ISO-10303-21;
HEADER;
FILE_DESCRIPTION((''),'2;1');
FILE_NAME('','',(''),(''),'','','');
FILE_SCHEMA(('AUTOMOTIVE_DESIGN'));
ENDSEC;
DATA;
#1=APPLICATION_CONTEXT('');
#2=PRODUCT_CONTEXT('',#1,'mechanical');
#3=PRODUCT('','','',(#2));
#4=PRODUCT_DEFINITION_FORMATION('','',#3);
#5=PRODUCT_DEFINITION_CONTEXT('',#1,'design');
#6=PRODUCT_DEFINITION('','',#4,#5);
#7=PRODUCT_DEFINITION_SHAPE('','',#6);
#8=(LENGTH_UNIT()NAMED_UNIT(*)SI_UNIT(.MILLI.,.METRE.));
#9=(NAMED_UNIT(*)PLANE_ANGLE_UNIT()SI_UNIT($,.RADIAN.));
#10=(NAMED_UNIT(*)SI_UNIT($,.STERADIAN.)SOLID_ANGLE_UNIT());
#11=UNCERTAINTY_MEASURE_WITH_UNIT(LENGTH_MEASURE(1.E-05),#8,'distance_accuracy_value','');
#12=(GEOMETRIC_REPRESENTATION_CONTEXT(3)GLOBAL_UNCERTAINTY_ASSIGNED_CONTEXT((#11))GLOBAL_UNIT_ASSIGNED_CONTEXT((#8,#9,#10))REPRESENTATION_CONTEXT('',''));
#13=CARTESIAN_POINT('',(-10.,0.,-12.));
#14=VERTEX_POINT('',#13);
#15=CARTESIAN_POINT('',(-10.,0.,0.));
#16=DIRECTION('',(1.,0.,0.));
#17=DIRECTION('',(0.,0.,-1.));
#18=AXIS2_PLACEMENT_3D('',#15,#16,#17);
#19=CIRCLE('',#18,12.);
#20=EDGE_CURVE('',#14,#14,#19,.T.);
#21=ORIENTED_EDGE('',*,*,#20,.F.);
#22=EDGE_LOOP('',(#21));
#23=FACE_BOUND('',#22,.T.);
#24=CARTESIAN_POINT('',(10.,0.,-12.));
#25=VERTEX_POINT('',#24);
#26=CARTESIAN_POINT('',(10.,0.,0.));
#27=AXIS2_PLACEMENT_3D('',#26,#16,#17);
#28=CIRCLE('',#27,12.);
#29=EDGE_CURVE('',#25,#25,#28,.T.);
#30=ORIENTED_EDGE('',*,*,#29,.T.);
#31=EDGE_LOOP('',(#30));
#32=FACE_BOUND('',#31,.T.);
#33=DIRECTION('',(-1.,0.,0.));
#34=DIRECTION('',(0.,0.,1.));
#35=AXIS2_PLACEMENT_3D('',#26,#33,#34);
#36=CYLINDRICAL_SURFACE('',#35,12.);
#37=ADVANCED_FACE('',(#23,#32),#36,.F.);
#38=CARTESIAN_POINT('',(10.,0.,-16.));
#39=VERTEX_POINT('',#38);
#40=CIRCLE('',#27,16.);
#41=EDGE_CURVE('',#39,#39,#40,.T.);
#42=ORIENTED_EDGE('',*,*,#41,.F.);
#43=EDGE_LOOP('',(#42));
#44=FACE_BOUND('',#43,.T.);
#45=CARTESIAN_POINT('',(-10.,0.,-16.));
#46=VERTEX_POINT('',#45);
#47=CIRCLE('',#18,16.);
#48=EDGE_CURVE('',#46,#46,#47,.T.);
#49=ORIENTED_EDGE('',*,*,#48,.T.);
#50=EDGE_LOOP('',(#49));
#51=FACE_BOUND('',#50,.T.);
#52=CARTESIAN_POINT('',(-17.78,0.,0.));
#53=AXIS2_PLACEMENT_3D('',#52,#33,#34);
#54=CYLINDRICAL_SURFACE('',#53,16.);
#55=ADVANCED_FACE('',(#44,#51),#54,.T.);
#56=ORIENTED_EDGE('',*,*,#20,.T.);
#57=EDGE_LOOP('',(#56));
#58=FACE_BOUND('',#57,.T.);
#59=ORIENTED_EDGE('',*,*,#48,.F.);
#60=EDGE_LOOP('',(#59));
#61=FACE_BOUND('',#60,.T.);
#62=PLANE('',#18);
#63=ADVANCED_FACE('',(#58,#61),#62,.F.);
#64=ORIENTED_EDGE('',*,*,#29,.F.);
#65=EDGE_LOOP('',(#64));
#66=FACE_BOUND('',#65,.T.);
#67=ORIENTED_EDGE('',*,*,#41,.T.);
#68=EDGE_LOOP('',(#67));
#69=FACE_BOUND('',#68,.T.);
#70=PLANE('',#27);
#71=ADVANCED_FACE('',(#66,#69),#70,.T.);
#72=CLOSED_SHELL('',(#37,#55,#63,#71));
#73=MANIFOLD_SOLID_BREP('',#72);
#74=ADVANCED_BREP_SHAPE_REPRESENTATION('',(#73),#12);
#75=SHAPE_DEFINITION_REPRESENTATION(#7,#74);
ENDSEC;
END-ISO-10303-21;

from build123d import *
from build123d.topology import SkipClean

# Parameters (mm, degrees)
CAGSPISKE_W         = 16
CAGSPISKE_H         = 0.7
SKETCH1_R           = 16
SKETCH1_R_2         = 12
BOSS_EXTRUDE1_DEPTH = 10


with BuildPart() as part:
    # CagSpiSke → CageSpine (revolve)
    with BuildSketch(Plane.XY):
        with Locations((0, 14.25)):
            Rectangle(CAGSPISKE_W, CAGSPISKE_H)
    revolve(axis=Axis((-12.7, 0, 0), (1, 0, 0)))

    # RolSimSke → RollersSimplified (revolve)
    with BuildSketch(Plane.XY):
        with BuildLine():
            Line((-7.13, 16), (7.13, 16))
            ThreePointArc((7.13, 16), (7.179497475, 15.979497475), (7.2, 15.93))
            Line((7.2, 15.93), (7.2, 12.57))
            ThreePointArc((7.2, 12.57), (7.179497475, 12.520502525), (7.13, 12.5))
            Line((7.13, 12.5), (-7.13, 12.5))
            ThreePointArc((-7.13, 12.5), (-7.179497475, 12.520502525), (-7.2, 12.57))
            Line((-7.2, 12.57), (-7.2, 15.93))
            ThreePointArc((-7.2, 15.93), (-7.179497475, 15.979497475), (-7.13, 16))
        make_face()
    revolve(axis=Axis((-17.78, 0, 0), (1, 0, 0)))

    # Sketch1 → Boss-Extrude1 (add, symmetric)
    with SkipClean():  # the faces are left unmerged after this step: merging them gives an invalid solid
        with BuildSketch(Plane(origin=(0, 0, 0), x_dir=(0, 0, -1), z_dir=(1, 0, 0))):
            Circle(SKETCH1_R)
            Circle(SKETCH1_R_2, mode=Mode.SUBTRACT)
        extrude(amount=BOSS_EXTRUDE1_DEPTH, both=True)
    add(part.part.scale(1), mode=Mode.REPLACE)  # the faces are merged on a copy


solid = part.part
